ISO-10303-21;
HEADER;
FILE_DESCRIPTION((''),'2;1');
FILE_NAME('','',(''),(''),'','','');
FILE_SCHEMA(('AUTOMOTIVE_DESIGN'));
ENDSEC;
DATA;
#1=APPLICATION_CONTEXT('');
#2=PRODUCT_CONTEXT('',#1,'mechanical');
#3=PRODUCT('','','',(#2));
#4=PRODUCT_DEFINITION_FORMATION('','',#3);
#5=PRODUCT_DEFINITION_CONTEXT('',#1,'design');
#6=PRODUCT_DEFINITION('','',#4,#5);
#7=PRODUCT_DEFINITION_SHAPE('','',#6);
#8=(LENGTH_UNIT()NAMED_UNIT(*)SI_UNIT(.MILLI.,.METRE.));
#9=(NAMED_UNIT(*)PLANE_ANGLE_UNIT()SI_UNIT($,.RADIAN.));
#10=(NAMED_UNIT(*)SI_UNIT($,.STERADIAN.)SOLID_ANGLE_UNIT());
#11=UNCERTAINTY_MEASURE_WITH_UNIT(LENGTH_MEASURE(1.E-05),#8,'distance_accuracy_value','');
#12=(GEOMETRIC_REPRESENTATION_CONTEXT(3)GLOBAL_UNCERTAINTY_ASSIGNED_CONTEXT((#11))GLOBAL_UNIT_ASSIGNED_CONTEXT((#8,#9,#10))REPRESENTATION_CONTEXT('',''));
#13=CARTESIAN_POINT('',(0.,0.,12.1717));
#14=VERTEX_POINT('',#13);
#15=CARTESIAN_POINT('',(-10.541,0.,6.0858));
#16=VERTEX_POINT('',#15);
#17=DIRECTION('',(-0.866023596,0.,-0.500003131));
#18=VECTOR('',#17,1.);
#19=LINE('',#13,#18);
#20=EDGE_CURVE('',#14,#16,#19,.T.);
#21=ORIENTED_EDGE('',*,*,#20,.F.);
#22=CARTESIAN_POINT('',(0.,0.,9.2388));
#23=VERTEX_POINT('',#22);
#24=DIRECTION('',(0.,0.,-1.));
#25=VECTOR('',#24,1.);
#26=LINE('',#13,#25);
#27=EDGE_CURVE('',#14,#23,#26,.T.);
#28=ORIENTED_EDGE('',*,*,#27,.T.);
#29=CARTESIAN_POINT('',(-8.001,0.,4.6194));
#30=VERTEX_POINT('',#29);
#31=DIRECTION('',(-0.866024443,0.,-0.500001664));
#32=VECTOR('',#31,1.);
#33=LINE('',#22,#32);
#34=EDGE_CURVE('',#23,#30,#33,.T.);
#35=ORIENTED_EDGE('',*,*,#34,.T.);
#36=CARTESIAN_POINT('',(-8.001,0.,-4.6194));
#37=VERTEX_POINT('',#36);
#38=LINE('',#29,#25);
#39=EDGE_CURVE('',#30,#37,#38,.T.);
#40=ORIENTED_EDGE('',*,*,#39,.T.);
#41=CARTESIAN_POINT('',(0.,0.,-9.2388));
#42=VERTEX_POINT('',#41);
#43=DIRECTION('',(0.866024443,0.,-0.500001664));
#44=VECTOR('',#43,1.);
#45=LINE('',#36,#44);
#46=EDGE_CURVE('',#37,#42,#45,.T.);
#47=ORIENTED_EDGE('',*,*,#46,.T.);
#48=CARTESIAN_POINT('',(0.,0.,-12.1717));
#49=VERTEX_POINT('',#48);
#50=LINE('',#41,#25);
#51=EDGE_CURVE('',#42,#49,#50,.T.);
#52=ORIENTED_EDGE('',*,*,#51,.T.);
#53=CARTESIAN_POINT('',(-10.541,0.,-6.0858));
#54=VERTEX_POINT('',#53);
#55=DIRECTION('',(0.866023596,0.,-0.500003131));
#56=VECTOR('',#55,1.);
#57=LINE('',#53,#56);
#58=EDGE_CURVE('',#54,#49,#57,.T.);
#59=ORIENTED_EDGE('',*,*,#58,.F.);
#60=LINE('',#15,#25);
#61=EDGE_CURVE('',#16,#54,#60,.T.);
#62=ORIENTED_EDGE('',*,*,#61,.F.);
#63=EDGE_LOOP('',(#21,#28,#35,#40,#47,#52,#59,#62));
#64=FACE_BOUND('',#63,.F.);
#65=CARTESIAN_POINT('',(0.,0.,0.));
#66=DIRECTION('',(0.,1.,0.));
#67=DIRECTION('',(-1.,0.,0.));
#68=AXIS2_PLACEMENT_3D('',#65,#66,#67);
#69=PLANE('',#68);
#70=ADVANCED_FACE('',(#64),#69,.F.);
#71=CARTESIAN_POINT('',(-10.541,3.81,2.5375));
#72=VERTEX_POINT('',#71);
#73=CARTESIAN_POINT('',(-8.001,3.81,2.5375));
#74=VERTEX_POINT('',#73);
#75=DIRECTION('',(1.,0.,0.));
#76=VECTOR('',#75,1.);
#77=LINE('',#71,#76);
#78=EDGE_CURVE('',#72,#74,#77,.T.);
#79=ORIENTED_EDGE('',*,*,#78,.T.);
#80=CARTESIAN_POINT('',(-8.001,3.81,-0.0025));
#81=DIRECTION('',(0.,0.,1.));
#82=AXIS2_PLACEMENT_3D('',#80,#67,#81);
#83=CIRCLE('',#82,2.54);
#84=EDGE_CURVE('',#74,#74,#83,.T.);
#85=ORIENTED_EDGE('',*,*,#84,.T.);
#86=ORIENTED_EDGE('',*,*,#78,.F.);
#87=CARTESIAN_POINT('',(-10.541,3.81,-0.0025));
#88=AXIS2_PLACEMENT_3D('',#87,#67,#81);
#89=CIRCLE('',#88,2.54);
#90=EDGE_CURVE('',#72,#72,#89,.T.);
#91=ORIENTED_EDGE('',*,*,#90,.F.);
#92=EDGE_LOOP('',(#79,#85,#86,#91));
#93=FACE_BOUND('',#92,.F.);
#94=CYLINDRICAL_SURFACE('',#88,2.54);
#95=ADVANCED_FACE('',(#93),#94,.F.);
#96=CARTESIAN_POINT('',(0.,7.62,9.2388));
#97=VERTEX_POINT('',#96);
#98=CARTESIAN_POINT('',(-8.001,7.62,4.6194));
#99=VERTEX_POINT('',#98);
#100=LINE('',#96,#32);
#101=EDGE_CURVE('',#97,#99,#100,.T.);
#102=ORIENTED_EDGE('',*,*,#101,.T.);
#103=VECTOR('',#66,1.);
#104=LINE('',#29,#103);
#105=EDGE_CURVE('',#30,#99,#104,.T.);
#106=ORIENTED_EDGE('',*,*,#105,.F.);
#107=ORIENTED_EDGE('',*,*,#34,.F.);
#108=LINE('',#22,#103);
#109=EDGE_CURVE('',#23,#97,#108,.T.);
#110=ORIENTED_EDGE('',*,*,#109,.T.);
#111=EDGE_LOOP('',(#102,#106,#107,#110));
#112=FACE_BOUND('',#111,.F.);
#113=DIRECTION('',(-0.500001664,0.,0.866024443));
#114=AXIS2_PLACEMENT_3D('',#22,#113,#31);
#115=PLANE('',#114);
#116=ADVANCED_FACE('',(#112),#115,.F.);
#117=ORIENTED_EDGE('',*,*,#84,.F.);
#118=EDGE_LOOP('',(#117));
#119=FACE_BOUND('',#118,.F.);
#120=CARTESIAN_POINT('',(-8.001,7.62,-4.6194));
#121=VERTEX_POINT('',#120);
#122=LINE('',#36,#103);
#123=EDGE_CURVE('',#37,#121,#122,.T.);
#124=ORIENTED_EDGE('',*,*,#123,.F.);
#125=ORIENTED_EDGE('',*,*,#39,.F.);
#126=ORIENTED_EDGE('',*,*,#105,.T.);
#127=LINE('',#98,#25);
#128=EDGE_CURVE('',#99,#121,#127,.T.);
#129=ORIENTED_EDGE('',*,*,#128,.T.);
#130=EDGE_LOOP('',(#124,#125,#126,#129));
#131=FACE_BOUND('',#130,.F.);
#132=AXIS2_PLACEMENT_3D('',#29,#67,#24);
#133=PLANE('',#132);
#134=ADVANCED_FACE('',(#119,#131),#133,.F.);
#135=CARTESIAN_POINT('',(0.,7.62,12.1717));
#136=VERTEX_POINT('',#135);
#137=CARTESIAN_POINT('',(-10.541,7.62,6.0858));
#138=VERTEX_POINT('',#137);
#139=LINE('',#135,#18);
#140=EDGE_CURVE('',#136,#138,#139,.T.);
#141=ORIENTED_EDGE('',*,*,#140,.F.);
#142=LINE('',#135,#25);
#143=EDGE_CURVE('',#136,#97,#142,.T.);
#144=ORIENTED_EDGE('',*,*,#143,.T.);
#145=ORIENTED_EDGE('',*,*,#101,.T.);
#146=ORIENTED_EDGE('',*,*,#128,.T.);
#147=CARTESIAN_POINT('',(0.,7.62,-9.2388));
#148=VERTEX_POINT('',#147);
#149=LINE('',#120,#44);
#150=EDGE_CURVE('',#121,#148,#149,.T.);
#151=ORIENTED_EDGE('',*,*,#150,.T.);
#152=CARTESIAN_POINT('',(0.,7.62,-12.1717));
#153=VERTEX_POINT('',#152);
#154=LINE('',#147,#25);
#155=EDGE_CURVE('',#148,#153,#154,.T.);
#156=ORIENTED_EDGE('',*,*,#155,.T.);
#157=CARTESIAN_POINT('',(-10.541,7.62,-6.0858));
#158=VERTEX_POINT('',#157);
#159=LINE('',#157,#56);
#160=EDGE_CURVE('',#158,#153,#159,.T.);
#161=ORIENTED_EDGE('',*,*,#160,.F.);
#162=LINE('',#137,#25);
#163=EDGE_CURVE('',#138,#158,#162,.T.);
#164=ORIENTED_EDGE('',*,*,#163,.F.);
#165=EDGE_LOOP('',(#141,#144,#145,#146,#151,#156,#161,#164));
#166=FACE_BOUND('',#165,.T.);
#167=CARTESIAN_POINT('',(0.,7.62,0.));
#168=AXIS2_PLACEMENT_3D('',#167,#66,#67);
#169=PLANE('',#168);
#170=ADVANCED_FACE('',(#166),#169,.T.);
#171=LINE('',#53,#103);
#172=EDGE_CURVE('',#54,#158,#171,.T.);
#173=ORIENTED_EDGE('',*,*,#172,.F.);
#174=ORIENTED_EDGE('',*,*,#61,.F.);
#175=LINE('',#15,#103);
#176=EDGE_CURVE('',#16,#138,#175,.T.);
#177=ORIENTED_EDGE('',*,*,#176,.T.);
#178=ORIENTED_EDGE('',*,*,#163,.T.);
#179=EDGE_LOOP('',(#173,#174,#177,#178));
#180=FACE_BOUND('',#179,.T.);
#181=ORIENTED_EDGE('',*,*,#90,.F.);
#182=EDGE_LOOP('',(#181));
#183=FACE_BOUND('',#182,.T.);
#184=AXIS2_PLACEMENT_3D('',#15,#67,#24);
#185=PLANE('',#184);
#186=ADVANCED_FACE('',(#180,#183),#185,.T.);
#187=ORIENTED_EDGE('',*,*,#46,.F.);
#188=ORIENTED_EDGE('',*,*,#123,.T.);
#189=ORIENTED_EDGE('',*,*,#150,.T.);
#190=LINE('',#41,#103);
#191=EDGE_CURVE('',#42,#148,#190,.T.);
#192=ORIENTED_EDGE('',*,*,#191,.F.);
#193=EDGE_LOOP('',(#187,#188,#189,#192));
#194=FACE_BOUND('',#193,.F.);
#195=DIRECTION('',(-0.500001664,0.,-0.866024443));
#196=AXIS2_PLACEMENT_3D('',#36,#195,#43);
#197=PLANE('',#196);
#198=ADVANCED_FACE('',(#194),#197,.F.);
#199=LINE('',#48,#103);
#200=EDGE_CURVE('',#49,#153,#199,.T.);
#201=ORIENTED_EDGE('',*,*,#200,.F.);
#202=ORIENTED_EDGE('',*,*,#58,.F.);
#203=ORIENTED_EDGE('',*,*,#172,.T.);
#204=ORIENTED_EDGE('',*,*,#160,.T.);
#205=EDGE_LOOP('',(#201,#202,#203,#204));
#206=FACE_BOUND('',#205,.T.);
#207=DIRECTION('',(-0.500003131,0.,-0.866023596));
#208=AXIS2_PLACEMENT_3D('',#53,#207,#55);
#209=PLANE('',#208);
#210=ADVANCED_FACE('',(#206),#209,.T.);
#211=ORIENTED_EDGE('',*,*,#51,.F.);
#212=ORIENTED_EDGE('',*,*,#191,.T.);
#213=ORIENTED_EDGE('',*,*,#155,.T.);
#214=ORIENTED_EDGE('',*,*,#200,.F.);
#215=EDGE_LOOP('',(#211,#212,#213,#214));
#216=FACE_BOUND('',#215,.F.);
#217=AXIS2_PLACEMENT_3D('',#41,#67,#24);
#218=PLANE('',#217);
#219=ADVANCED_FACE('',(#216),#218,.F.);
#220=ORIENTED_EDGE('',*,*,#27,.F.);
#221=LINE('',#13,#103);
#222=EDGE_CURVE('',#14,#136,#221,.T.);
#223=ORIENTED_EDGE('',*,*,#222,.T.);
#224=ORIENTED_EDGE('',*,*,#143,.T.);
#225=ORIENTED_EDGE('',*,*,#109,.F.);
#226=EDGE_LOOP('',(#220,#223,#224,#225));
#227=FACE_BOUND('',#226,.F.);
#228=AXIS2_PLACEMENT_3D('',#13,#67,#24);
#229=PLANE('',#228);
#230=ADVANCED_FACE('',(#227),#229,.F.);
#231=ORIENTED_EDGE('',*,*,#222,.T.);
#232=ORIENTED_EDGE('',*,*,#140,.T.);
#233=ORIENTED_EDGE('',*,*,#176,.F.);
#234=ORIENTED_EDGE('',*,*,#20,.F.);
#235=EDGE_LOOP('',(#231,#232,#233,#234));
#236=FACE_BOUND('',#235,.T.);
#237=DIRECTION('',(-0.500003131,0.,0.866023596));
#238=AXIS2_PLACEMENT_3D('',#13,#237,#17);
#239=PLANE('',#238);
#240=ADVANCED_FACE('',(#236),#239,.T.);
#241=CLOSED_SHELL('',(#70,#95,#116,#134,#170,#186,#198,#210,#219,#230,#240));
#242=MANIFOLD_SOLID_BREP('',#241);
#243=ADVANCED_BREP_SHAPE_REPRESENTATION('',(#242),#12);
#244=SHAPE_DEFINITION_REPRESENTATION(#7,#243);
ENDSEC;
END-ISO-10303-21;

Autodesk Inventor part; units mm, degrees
ref_plane "YZ Plane" through (0, 0, 0) normal (1, 0, 0) x (0, 1, 0)
ref_plane "XZ Plane" through (0, 0, 0) normal (0, 1, 0) x (-1, 0, 0)
ref_plane "XY Plane" through (0, 0, 0) normal (0, 0, 1) x (1, 0, 0)
sketch "Sketch1" plane through (0, 0, 0) normal (0, 1, 0) x (-1, 0, 0)
  line L0 (0, 9.2388) -> (8.001, 4.6194)
  line L1 (8.001, 4.6194) -> (8.001, -4.6194)
  line L2 (8.001, -4.6194) -> (0, -9.2388)
  line L3 (10.541, -6.0858) -> (0, -12.1717)
  line L4 (0, 12.1717) -> (10.541, 6.0858)
  line L5 (10.541, 6.0858) -> (10.541, -6.0858)
  line L6 (0, 12.1717) -> (0, 9.2388)
  line L7 (0, -9.2388) -> (0, -12.1717)
  point P0 (0, 0)
  point P1 (0, 0)
  point P2 (0, 0)
  point P3 (0, 0)
  dimension "d5" = 2.54
extrude "Extrusion1" add sketch "Sketch1" along normal blind 7.62
sketch "Sketch2" plane through (-10.541, 0, -6.0858) normal (-1, 0, 0) x (0, 0, 1)
  circle A0 centre (6.0833, 3.81) radius 2.54
  line L0 (0, 0) -> (12.1717, 0) projected
  line L1 (12.1717, 0) -> (12.1717, 7.62) projected
  line L2 (0, 0) -> (0, 7.62) projected
  point P0 (6.0858, 0)
  dimension "d8" = 5.08
  dimension "d9" = 3.81
  dimension "d10" = 12.1717
  dimension "d11" = 6.0833
extrude "Extrusion2" cut sketch "Sketch2" against normal through all
properties part number "GearboxDogHolder"
